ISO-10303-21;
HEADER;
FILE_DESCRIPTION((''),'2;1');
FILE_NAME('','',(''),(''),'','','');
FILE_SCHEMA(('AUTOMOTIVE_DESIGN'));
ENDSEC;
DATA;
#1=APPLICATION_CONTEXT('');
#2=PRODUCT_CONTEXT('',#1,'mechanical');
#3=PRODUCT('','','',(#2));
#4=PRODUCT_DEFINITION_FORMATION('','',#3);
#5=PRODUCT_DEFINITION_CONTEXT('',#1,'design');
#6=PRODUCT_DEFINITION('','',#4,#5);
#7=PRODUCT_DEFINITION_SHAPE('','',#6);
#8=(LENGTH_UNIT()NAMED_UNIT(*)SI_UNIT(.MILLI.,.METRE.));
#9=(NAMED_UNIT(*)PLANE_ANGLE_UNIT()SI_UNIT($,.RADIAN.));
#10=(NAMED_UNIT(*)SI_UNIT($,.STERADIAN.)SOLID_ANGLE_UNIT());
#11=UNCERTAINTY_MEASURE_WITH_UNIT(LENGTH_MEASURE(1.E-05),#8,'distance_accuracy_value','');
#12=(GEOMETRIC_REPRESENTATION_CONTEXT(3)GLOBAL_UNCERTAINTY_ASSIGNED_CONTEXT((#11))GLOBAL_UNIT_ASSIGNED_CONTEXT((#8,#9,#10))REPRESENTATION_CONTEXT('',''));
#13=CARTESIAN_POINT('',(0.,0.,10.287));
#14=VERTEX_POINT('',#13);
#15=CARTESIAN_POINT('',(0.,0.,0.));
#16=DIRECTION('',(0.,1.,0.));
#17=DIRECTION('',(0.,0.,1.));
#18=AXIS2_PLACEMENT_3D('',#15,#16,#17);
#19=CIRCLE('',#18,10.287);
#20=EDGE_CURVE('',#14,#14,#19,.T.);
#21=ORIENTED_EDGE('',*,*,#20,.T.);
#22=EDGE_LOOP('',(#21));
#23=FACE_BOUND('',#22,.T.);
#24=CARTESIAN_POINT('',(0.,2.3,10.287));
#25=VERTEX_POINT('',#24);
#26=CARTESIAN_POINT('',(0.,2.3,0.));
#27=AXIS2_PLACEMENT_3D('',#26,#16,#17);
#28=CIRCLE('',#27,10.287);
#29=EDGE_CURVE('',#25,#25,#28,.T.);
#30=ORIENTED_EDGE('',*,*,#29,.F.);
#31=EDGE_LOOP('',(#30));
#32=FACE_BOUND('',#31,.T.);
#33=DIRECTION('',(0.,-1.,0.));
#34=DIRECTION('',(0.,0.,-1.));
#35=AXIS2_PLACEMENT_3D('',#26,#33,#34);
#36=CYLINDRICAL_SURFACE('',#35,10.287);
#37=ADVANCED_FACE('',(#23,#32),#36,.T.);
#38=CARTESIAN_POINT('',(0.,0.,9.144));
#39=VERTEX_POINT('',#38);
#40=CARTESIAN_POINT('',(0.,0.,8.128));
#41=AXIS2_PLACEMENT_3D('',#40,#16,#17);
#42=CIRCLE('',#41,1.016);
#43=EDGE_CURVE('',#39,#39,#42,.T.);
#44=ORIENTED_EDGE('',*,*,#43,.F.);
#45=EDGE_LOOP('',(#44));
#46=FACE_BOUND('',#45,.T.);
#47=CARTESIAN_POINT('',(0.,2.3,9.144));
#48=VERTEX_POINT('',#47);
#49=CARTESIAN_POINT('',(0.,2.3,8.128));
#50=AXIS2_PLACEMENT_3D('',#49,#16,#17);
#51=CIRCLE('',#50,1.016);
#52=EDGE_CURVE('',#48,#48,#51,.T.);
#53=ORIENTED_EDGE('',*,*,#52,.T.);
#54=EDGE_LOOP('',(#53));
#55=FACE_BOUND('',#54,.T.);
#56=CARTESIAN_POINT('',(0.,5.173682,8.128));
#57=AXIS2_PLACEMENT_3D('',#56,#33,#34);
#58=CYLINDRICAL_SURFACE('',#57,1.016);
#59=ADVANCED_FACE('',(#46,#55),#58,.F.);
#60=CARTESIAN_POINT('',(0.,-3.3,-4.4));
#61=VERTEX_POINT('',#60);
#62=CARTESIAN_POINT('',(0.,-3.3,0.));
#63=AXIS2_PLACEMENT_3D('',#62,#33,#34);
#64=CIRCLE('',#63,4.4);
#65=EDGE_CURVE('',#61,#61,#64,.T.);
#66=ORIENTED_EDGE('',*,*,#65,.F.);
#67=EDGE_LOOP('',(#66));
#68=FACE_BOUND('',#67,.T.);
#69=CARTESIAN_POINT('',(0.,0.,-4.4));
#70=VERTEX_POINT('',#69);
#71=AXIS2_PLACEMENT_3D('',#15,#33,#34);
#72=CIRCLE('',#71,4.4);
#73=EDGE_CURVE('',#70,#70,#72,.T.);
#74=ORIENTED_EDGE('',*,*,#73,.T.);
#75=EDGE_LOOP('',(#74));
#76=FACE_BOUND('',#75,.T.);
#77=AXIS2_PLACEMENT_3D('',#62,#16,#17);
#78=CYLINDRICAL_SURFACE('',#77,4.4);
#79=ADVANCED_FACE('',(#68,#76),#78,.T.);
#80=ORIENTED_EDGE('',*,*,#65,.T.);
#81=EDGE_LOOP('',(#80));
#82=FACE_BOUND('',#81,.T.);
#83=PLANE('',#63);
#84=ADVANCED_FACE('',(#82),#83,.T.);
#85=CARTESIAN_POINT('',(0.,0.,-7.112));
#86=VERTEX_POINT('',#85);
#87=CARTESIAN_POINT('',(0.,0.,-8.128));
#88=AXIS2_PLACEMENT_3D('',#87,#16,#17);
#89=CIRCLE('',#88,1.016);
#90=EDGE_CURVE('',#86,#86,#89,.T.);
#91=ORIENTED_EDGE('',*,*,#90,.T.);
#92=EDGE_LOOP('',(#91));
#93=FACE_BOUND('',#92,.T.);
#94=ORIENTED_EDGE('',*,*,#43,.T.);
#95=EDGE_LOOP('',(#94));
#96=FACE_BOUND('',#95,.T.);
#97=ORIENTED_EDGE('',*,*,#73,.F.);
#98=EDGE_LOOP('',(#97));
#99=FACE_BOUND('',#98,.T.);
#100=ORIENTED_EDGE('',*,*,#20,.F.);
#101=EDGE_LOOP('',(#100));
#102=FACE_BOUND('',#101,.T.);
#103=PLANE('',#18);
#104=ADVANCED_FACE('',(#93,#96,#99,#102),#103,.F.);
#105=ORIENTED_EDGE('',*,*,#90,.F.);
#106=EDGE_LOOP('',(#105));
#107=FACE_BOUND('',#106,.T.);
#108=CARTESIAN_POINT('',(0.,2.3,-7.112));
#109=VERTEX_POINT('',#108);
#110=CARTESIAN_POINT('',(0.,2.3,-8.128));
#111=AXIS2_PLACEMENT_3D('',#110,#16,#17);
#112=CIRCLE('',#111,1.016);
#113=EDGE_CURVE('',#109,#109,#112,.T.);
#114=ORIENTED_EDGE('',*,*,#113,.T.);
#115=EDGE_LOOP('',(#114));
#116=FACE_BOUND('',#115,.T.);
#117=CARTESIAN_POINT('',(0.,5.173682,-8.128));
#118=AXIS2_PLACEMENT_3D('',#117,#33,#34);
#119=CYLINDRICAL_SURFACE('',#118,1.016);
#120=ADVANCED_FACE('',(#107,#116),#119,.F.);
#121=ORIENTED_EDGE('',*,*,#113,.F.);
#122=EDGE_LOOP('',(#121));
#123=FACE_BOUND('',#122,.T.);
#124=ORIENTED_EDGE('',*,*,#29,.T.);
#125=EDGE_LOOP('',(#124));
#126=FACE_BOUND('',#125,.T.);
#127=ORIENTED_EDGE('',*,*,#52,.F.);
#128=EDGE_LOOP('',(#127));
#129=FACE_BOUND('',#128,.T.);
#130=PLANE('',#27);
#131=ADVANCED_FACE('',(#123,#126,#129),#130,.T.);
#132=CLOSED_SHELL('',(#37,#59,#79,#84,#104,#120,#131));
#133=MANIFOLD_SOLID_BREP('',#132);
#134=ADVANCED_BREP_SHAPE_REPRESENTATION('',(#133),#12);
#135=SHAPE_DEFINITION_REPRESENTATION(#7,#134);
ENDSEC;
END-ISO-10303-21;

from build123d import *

# Parameters (mm, degrees)
SKETCH1_R           = 10.287
BOSS_EXTRUDE1_DEPTH = 2.3
SKETCH2_R           = 4.4
BOSS_EXTRUDE2_DEPTH = 3.3
SKETCH4_R           = 1.016
CUT_EXTRUDE1_DEPTH  = 2.3


with BuildPart() as part:
    # Sketch1 → Boss-Extrude1 (new body)
    with BuildSketch(Plane(origin=(0, 0, 0), x_dir=(1, 0, 0), z_dir=(0, 1, 0))):
        with Locations(Location((0, 0, 0), (0, 0, 270))):
            Circle(SKETCH1_R)
    extrude(amount=BOSS_EXTRUDE1_DEPTH)

    # Sketch2 → Boss-Extrude2 (add)
    with BuildSketch(Plane(origin=(0, 0, 0), x_dir=(-1, 0, 0), z_dir=(0, -1, 0))):
        with Locations(Location((0, 0, 0), (0, 0, 90))):
            Circle(SKETCH2_R)
    extrude(amount=BOSS_EXTRUDE2_DEPTH)

    # Sketch4 → Cut-Extrude1 (cut)
    with BuildSketch(Plane(origin=(0, 0, 0), x_dir=(1, 0, 0), z_dir=(0, 1, 0))):
        with Locations(Location((0, 8.128, 0), (0, 0, 270))):
            Circle(SKETCH4_R)
        with Locations(Location((0, -8.128, 0), (0, 0, 270))):
            Circle(SKETCH4_R)
    extrude(amount=CUT_EXTRUDE1_DEPTH, mode=Mode.SUBTRACT)


solid = part.part
